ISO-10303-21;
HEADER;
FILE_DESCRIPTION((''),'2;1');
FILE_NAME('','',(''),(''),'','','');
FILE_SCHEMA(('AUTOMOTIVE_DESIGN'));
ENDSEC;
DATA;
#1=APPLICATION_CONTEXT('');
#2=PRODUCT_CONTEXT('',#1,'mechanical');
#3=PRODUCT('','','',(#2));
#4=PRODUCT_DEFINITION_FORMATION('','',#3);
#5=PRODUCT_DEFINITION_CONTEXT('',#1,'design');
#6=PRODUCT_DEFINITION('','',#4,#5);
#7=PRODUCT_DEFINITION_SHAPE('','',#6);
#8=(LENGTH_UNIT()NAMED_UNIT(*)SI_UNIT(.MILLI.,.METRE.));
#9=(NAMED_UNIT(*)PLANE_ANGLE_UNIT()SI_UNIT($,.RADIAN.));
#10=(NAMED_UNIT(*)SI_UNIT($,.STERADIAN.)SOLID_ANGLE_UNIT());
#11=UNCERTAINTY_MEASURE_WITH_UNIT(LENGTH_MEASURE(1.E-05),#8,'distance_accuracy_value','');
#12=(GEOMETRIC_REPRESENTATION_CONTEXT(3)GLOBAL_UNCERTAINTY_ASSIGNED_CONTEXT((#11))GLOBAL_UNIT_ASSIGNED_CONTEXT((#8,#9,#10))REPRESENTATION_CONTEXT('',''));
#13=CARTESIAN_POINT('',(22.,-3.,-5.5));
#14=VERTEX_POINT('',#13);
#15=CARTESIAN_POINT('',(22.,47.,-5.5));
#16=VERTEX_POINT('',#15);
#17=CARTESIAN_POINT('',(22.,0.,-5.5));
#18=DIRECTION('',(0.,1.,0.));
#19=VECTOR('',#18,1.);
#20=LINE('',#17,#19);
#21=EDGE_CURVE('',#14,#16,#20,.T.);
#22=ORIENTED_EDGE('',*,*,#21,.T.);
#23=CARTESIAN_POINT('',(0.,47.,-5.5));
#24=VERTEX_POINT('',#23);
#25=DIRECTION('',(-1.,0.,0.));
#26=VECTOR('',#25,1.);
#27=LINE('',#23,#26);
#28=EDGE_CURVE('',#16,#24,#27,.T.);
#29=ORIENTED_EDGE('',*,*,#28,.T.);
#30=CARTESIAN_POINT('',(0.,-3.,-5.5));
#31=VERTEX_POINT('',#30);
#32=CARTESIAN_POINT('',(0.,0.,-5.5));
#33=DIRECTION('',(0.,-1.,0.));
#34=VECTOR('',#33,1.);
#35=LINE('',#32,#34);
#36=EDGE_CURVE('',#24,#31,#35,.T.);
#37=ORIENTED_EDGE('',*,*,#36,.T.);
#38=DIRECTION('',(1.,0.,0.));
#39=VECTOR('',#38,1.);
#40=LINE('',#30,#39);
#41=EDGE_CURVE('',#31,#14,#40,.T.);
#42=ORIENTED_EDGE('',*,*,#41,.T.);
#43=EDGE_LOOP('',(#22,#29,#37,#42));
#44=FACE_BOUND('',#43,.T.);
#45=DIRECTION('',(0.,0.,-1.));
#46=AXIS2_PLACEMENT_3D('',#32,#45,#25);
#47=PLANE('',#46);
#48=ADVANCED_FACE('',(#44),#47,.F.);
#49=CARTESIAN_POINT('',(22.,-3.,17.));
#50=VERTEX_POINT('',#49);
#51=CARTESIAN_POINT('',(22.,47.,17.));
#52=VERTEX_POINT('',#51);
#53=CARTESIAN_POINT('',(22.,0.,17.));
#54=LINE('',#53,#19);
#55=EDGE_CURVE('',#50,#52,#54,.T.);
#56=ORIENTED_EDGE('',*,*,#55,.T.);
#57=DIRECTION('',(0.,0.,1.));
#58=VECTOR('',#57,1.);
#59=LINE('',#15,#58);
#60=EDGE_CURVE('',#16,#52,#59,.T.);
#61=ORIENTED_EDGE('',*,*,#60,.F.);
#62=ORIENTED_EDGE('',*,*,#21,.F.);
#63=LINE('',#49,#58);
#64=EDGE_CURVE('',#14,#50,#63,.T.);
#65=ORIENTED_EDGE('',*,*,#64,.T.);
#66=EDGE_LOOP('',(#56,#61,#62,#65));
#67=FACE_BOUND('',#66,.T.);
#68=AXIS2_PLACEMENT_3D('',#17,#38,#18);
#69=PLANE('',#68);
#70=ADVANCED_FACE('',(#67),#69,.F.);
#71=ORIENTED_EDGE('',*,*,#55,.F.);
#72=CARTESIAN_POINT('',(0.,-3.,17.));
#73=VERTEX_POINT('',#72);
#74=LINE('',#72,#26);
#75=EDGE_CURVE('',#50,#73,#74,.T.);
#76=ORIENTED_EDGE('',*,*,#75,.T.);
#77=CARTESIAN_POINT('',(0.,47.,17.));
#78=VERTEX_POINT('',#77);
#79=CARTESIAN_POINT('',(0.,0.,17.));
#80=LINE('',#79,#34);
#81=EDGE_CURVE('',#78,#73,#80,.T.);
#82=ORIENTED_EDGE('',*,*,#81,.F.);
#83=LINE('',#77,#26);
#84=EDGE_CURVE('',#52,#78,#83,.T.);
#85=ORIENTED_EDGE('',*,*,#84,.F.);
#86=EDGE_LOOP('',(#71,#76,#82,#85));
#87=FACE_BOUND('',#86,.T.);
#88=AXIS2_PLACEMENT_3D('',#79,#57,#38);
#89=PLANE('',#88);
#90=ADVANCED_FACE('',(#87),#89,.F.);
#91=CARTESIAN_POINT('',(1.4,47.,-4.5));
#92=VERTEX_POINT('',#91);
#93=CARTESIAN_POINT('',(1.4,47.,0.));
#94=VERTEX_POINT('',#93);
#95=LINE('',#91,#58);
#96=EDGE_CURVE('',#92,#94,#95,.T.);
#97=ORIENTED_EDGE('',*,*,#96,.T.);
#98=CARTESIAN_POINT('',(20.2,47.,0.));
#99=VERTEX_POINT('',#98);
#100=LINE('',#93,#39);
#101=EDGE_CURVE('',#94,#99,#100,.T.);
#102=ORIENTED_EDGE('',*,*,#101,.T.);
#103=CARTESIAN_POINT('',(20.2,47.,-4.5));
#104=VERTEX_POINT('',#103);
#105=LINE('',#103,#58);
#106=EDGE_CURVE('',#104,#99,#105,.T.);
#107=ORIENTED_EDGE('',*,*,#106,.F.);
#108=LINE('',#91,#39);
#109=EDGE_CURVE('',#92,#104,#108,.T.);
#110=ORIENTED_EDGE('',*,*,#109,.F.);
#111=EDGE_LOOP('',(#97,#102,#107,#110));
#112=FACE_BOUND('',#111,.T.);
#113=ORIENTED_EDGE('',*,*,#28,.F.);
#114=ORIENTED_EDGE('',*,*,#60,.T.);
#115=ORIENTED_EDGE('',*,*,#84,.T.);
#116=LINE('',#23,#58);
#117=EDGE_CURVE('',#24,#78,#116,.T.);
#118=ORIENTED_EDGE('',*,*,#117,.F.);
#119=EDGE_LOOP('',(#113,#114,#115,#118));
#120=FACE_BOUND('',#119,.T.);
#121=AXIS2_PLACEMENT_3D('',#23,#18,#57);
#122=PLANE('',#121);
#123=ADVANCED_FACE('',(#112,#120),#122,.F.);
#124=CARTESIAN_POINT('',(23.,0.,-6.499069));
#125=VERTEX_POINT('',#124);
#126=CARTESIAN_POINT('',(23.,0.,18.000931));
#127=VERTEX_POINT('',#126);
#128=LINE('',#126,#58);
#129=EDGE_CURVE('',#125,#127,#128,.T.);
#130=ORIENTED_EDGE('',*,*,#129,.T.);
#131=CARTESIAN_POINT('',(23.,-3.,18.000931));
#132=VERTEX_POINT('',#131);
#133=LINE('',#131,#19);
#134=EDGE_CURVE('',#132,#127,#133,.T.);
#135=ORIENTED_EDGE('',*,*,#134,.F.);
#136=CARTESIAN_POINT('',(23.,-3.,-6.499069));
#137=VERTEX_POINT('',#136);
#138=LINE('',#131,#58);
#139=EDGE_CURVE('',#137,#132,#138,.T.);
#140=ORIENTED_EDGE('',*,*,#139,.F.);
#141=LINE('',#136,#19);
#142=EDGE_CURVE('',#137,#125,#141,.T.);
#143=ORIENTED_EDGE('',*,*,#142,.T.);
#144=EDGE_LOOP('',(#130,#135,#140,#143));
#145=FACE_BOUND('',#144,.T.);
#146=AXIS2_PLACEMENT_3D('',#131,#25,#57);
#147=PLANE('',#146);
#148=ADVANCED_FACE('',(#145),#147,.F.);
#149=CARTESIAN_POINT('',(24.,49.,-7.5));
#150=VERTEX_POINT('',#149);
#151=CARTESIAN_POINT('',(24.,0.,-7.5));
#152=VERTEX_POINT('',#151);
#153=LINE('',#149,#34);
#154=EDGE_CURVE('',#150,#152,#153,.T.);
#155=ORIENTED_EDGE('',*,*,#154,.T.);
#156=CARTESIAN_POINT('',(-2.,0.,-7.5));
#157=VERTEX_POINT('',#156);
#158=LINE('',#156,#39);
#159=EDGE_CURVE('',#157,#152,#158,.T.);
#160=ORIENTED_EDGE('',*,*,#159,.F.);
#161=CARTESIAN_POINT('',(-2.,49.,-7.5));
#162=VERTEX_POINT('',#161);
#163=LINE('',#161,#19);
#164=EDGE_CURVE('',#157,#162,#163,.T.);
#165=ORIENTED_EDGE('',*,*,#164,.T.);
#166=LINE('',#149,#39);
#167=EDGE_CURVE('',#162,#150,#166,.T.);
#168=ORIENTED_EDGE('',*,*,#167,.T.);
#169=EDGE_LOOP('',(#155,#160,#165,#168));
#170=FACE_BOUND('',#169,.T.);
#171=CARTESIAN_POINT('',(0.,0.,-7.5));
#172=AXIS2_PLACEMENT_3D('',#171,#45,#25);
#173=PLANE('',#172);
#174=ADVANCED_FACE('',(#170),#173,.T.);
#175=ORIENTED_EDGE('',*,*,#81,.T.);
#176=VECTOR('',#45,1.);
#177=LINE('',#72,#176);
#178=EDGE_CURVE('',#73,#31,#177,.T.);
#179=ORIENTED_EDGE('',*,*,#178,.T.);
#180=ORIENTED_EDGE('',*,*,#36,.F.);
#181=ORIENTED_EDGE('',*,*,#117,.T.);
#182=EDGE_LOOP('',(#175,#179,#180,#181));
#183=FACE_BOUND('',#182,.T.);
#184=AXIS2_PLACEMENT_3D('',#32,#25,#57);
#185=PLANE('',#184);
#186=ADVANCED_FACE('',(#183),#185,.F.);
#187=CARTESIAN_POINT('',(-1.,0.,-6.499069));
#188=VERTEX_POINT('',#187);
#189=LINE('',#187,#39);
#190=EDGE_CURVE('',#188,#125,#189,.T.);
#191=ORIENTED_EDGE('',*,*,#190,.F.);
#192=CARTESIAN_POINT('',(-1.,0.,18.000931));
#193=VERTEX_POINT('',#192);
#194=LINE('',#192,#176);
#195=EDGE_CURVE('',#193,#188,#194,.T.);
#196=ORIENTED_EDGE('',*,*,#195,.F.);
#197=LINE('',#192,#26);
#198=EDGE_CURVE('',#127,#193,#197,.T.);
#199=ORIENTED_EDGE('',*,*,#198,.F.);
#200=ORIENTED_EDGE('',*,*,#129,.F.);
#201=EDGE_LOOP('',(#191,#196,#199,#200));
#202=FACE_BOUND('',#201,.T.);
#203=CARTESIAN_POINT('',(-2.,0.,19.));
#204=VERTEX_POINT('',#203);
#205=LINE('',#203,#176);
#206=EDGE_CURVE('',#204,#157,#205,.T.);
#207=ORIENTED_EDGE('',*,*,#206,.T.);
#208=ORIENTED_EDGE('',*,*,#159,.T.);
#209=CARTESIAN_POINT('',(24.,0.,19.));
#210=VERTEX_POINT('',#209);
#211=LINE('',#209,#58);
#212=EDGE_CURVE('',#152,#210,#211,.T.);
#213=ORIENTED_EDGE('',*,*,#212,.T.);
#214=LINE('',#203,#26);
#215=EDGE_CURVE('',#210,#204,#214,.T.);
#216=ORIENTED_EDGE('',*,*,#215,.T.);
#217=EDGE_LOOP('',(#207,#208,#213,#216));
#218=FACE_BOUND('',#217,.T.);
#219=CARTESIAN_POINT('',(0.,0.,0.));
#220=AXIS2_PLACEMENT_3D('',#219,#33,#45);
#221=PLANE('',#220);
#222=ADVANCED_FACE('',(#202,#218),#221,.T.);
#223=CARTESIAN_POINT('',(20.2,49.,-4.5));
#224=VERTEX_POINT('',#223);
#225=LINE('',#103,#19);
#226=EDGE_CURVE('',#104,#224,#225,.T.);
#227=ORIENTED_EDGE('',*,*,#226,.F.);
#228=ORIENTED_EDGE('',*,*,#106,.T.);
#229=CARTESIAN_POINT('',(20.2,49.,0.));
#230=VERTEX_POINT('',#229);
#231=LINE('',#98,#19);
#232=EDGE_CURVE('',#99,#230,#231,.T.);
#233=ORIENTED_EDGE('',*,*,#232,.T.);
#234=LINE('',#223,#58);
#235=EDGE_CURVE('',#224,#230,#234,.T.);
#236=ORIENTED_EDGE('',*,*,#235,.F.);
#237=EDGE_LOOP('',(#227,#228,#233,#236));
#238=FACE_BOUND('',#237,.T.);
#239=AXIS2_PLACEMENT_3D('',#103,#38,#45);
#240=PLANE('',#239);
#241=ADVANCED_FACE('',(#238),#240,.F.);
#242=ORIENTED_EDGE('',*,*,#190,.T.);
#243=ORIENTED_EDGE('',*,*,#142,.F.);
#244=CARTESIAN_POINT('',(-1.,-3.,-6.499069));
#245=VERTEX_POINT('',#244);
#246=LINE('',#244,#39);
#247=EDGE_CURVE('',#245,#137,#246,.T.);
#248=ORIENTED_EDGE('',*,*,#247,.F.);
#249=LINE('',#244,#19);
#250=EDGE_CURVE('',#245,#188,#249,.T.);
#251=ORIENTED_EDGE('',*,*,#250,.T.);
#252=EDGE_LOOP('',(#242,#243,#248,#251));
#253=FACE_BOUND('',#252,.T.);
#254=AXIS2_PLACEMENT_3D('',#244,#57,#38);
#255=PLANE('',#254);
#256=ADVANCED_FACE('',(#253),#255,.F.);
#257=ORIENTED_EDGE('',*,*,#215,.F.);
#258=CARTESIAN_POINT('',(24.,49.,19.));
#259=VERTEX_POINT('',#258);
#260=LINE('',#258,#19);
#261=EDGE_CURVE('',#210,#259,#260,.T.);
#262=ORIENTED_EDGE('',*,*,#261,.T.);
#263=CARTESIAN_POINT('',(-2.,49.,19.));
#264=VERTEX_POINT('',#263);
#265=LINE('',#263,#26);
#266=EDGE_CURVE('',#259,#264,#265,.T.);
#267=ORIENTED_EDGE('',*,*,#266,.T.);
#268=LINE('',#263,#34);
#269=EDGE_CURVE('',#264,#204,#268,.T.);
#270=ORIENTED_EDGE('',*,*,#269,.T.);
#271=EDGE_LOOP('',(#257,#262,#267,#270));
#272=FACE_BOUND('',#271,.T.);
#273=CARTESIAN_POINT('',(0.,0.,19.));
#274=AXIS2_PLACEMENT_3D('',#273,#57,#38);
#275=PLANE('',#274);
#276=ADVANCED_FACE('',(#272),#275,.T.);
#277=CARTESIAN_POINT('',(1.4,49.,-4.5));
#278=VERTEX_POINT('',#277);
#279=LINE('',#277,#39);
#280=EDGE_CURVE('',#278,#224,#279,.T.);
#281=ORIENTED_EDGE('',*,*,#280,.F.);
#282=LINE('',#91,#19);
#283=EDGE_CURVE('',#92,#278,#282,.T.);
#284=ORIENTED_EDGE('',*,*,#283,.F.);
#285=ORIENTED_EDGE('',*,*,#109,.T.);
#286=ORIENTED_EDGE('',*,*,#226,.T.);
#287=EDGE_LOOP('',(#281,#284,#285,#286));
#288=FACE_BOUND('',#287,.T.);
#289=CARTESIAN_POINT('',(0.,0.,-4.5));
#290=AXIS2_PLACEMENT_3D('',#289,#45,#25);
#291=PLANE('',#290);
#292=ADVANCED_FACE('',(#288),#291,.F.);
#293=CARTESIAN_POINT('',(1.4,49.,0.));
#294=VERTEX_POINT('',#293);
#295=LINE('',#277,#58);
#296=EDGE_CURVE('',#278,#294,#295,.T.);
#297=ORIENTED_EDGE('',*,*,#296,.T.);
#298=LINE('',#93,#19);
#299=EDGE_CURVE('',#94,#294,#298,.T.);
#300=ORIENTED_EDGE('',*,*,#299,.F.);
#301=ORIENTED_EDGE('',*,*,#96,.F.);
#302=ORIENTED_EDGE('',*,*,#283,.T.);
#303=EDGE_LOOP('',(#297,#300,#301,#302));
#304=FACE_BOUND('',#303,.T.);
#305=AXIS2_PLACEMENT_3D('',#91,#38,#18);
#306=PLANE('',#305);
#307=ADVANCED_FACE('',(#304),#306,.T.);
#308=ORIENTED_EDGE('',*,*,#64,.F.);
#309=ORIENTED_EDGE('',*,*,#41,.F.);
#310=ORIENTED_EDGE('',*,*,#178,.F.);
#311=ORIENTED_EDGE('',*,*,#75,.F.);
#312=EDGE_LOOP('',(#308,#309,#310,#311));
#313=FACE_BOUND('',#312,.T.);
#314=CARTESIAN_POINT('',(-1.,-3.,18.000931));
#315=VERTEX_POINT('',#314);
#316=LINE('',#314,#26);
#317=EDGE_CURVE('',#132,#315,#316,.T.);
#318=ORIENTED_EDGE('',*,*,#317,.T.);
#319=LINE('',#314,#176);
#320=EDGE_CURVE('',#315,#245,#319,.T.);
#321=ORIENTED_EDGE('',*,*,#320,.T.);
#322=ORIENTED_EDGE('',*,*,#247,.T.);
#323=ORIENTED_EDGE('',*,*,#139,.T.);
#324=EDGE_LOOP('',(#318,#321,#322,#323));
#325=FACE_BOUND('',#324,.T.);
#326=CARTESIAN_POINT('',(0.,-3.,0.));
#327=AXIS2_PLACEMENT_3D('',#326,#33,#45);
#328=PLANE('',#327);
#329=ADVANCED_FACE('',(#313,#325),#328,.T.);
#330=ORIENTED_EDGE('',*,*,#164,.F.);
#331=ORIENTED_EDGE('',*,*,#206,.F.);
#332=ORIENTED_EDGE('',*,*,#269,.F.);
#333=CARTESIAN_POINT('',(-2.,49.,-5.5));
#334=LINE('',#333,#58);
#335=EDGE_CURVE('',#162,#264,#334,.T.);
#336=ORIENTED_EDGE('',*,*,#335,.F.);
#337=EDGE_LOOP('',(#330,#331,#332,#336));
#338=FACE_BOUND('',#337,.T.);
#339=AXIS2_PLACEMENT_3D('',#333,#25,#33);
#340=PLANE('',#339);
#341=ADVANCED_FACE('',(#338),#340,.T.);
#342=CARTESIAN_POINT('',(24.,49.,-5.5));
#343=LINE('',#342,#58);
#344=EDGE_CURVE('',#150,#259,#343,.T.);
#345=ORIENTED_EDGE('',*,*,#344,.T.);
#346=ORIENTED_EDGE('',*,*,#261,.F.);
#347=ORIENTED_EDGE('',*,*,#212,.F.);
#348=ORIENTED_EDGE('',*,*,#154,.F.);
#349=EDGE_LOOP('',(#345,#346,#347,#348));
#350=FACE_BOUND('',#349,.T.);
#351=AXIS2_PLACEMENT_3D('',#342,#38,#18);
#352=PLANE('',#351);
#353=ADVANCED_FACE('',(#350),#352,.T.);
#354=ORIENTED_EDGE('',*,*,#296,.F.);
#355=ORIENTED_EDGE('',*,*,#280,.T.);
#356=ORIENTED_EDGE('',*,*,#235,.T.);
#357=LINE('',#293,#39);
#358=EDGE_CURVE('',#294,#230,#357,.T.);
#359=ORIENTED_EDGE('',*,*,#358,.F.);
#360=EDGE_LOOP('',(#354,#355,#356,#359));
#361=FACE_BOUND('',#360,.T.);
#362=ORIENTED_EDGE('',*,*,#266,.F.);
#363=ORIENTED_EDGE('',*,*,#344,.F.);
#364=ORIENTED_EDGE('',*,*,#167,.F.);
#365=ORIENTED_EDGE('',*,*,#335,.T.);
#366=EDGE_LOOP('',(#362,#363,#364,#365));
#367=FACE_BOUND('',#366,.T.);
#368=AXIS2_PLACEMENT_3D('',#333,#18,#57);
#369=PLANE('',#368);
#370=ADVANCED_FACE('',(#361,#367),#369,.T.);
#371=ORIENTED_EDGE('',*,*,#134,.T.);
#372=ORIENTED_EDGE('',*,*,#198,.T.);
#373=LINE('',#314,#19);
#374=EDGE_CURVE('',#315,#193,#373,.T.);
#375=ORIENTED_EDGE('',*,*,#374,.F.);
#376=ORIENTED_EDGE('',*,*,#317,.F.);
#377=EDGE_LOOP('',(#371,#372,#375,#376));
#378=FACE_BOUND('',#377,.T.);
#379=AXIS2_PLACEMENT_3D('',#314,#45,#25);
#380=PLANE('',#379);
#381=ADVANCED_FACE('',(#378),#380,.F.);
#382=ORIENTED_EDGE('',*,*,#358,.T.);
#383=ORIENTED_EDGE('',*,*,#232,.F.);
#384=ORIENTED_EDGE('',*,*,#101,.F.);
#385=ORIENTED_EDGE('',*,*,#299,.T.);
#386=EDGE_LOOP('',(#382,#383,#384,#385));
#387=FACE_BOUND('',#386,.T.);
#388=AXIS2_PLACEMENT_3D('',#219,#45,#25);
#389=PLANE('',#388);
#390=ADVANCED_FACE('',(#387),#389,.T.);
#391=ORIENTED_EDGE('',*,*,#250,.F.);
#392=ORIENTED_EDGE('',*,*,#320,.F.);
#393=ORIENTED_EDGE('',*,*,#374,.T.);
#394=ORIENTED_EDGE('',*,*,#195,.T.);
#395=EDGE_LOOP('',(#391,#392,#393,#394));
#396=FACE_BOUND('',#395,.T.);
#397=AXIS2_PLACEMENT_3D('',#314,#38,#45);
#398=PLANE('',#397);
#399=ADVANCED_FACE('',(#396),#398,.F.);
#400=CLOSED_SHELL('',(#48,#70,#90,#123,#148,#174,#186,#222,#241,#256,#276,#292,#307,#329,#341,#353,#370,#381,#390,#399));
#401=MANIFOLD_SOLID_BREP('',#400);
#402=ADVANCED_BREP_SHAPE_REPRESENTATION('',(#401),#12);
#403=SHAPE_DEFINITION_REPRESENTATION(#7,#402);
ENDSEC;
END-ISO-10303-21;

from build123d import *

# Parameters (mm, degrees)
EXTRUDE_1_DEPTH      = 17
EXTRUDE_1_DEPTH_BACK = 5.5
SKETCH_2_W           = 26
SKETCH_2_H           = 51
SKETCH_2_W_2         = 22
SKETCH_2_H_2         = 47
SKETCH_3_W           = 26
SKETCH_3_H           = 51
EXTRUDE_2_DEPTH      = 2
CUT_EXTRUDE_START    = -17
SKETCH_4_W           = 18.8
SKETCH_4_H           = 2
CUT_EXTRUDE_1_DEPTH  = 4.5
SKETCH_5_W           = 26
SKETCH_5_H           = 51
EXTRUDE_3_DEPTH      = 2
SKETCH_6_W           = 26
SKETCH_6_H           = 26.5
CUT_EXTRUDE_2_DEPTH  = 2
SKETCH_7_W           = 24
SKETCH_7_H           = 24.5
SKETCH_7_W_2         = 22
SKETCH_7_H_2         = 22.5
EXTRUDE_4_DEPTH      = 3


with BuildPart() as part:
    # 草图2 → 凸台-拉伸1 (new, two sides: drawn at the far end of the back side and taken through both)
    with BuildSketch(Plane.XY.offset(-EXTRUDE_1_DEPTH_BACK)):
        with Locations((11, 23.5)):
            Rectangle(SKETCH_2_W, SKETCH_2_H)
        with Locations((11, 23.5)):
            Rectangle(SKETCH_2_W_2, SKETCH_2_H_2, mode=Mode.SUBTRACT)
    extrude(amount=EXTRUDE_1_DEPTH + EXTRUDE_1_DEPTH_BACK)

    # 草图3 → 凸台-拉伸2 (add)
    with BuildSketch(Plane(origin=(0, 0, -5.5), x_dir=(-1, 0, 0), z_dir=(0, 0, -1))):
        with Locations((-11, 23.5)):
            Rectangle(SKETCH_3_W, SKETCH_3_H)
    extrude(amount=EXTRUDE_2_DEPTH)

    # 草图4 → 切除-拉伸1 (cut)
    with BuildSketch(Plane.XY.offset(17).offset(CUT_EXTRUDE_START)):
        with Locations((10.8, 48)):
            Rectangle(SKETCH_4_W, SKETCH_4_H)
    extrude(amount=-CUT_EXTRUDE_1_DEPTH, mode=Mode.SUBTRACT)

    # 草图5 → 凸台-拉伸3 (add)
    with BuildSketch(Plane.XY.offset(17)):
        with Locations((11, 23.5)):
            Rectangle(SKETCH_5_W, SKETCH_5_H)
    extrude(amount=EXTRUDE_3_DEPTH)

    # 草图6 → 切除-拉伸2 (cut)
    with BuildSketch(Plane.XZ.offset(2)):
        with Locations((11, 5.75)):
            Rectangle(SKETCH_6_W, SKETCH_6_H)
    extrude(amount=-CUT_EXTRUDE_2_DEPTH, mode=Mode.SUBTRACT)

    # 草图7 → 凸台-拉伸4 (add)
    with BuildSketch(Plane.XZ):
        with Locations((11, 5.750930711)):
            Rectangle(SKETCH_7_W, SKETCH_7_H)
        with Locations((11, 5.75)):
            Rectangle(SKETCH_7_W_2, SKETCH_7_H_2, mode=Mode.SUBTRACT)
    extrude(amount=EXTRUDE_4_DEPTH)


solid = part.part
